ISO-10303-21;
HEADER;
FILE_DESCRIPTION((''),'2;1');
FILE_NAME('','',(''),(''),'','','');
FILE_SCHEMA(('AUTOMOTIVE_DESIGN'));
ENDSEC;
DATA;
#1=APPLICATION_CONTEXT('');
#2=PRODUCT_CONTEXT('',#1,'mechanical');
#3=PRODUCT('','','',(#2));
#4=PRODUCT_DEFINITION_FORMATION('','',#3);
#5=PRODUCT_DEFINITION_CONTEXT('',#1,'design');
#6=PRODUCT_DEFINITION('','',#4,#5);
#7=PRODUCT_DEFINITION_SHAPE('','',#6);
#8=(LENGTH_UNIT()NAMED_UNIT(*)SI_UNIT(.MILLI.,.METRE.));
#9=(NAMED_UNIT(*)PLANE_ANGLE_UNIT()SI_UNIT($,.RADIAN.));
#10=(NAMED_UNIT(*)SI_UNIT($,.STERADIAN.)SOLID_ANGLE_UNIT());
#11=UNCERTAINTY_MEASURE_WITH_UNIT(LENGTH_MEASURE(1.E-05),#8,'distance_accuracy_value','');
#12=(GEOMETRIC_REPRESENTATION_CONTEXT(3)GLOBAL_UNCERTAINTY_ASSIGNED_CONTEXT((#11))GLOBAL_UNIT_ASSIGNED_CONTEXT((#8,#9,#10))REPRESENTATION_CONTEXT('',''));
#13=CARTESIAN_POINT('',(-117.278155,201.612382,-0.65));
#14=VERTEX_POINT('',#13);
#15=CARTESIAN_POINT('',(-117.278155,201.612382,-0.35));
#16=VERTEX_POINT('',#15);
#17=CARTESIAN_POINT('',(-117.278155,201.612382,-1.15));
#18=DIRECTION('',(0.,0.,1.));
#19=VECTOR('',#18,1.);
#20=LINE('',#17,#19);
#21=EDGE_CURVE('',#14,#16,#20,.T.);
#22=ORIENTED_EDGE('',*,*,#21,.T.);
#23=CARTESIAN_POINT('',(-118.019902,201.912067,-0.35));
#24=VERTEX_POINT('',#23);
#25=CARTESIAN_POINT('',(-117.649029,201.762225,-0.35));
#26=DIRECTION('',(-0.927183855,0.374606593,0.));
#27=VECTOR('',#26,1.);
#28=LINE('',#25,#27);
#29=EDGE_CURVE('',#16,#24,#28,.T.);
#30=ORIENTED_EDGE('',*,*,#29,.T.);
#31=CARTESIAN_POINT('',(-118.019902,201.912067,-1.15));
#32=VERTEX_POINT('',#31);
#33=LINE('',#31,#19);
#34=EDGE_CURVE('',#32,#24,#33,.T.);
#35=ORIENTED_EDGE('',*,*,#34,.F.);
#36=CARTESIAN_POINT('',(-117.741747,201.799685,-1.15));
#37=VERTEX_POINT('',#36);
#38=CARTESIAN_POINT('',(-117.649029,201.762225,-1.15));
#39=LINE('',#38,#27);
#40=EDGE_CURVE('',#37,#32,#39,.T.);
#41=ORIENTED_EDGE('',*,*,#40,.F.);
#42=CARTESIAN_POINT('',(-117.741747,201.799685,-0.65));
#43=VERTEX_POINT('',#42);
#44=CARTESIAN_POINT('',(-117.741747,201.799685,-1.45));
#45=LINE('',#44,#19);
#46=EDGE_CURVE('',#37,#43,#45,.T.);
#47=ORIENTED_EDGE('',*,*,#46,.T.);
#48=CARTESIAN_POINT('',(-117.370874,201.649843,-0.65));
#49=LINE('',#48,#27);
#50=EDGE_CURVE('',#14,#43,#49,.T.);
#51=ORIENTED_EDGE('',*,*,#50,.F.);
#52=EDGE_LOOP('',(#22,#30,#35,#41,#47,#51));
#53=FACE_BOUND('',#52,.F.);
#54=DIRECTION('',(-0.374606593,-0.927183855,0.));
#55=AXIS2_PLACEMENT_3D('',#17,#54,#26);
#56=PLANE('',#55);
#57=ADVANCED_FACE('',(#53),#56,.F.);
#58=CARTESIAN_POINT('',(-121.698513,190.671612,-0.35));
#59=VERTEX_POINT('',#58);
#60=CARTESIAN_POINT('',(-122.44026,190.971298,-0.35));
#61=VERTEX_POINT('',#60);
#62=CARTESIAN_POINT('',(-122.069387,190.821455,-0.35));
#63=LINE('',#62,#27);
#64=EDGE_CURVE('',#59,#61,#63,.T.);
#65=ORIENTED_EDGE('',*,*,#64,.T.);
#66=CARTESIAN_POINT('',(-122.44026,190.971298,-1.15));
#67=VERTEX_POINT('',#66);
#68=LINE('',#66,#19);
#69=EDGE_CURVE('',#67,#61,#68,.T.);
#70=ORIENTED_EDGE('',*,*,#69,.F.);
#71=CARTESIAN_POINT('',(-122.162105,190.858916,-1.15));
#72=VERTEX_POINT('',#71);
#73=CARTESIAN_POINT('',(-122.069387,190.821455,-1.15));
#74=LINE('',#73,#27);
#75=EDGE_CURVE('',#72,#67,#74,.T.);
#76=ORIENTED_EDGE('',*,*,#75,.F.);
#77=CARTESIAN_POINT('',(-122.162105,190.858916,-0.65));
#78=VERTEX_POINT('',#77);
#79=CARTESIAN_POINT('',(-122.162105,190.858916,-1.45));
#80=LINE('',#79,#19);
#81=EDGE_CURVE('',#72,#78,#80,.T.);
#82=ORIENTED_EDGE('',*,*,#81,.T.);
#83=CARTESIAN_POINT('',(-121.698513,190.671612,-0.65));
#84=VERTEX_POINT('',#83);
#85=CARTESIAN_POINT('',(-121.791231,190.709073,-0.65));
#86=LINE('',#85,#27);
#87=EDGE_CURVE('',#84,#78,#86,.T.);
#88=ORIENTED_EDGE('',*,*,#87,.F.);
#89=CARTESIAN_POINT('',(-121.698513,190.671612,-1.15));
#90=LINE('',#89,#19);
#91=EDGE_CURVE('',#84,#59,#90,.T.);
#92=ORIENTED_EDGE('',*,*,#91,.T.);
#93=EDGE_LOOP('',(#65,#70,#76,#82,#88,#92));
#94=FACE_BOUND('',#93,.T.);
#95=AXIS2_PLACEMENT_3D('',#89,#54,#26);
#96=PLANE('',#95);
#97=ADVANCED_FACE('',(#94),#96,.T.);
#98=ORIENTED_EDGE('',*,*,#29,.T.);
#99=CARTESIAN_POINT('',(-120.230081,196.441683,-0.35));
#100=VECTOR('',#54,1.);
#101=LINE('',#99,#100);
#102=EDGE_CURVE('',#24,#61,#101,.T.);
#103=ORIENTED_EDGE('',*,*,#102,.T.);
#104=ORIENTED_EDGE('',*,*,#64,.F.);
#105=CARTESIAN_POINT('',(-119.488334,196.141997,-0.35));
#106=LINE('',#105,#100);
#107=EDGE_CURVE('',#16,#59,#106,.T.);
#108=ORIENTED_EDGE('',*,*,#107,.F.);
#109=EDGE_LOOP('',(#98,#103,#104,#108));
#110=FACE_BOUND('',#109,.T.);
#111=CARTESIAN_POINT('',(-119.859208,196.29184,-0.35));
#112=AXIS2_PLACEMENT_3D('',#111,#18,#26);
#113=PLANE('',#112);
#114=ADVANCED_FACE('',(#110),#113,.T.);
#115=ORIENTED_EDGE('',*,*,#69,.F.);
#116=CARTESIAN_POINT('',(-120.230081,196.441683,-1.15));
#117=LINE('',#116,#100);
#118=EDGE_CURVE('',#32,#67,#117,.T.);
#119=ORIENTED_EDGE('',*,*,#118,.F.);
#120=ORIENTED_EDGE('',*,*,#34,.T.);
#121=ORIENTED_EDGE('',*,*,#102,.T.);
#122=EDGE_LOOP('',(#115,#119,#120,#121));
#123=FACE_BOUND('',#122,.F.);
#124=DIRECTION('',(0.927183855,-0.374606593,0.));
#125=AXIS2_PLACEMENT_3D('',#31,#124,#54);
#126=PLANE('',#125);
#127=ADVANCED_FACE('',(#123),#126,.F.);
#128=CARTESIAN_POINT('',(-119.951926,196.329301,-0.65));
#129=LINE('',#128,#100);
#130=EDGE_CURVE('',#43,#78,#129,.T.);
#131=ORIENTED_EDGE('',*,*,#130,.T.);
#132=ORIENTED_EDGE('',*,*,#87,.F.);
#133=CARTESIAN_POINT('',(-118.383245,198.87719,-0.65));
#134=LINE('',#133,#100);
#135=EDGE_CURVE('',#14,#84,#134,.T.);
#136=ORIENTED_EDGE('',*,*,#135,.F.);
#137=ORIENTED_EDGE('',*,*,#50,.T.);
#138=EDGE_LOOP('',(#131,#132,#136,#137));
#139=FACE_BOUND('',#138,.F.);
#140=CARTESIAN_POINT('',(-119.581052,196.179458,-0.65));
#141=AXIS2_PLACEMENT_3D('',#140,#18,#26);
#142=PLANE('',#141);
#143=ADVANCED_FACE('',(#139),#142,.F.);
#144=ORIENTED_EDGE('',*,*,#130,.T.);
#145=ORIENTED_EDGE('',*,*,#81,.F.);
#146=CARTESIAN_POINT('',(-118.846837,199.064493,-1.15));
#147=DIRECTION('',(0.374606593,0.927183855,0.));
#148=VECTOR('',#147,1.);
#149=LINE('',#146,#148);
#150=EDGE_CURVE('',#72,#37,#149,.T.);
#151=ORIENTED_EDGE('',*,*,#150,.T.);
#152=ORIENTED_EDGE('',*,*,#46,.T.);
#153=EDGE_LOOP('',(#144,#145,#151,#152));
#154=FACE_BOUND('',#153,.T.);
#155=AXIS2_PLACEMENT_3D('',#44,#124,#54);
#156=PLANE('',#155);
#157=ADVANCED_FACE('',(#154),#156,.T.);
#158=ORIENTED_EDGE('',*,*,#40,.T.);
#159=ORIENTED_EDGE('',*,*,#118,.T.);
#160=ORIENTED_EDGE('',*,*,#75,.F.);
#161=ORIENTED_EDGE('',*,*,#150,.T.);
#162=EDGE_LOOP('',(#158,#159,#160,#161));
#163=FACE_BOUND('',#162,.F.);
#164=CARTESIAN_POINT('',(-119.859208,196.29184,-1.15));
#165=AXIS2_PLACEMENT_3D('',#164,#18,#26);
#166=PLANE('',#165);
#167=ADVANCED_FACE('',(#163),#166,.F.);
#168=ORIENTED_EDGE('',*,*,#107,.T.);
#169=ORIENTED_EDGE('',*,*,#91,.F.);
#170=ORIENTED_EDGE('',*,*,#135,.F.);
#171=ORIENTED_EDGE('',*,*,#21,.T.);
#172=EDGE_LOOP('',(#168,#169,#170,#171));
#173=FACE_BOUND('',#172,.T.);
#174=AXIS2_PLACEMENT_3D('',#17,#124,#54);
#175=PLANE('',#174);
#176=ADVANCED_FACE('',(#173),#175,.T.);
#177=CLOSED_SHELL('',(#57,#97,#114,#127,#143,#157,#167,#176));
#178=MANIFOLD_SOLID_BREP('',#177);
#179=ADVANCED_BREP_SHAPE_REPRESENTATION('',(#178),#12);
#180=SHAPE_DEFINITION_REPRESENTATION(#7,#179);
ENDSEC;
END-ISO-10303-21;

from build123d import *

# Parameters (mm, degrees)
BOX189_W               = 0.8
BOX189_H               = 11.8
BOX189_DEPTH           = 0.8
BOX190_W               = 0.8
BOX190_H               = 11.8
BOX190_DEPTH           = 0.8
CUT098_PLACEMENT_ANGLE = 158


with BuildPart() as cubo189:
    # Box189 → Box189 (new body)
    with BuildSketch(Plane.XY):
        with Locations((0.4, 5.9)):
            Rectangle(BOX189_W, BOX189_H)
    extrude(amount=BOX189_DEPTH)


with BuildPart() as perfil_l_2da_cara040:
    # Box190 → Box190 (new body)
    with BuildSketch(Plane(origin=(0.3, 0, 0.3), x_dir=(1, 0, 0), z_dir=(0, 0, 1))):
        with Locations((0.4, 5.9)):
            Rectangle(BOX190_W, BOX190_H)
    extrude(amount=BOX190_DEPTH)

    # Cut098: cut Cubo189
    add(cubo189.part, mode=Mode.SUBTRACT)


with BuildPart() as perfil_l_2da_cara040_1:
    # Cut098 placement: moved
    add(perfil_l_2da_cara040.part.moved(Location((-117, 201.5, -1.45))).rotate(Axis((-117, 201.5, -1.45), (0, 0, 1)), CUT098_PLACEMENT_ANGLE))


solid = perfil_l_2da_cara040_1.part
